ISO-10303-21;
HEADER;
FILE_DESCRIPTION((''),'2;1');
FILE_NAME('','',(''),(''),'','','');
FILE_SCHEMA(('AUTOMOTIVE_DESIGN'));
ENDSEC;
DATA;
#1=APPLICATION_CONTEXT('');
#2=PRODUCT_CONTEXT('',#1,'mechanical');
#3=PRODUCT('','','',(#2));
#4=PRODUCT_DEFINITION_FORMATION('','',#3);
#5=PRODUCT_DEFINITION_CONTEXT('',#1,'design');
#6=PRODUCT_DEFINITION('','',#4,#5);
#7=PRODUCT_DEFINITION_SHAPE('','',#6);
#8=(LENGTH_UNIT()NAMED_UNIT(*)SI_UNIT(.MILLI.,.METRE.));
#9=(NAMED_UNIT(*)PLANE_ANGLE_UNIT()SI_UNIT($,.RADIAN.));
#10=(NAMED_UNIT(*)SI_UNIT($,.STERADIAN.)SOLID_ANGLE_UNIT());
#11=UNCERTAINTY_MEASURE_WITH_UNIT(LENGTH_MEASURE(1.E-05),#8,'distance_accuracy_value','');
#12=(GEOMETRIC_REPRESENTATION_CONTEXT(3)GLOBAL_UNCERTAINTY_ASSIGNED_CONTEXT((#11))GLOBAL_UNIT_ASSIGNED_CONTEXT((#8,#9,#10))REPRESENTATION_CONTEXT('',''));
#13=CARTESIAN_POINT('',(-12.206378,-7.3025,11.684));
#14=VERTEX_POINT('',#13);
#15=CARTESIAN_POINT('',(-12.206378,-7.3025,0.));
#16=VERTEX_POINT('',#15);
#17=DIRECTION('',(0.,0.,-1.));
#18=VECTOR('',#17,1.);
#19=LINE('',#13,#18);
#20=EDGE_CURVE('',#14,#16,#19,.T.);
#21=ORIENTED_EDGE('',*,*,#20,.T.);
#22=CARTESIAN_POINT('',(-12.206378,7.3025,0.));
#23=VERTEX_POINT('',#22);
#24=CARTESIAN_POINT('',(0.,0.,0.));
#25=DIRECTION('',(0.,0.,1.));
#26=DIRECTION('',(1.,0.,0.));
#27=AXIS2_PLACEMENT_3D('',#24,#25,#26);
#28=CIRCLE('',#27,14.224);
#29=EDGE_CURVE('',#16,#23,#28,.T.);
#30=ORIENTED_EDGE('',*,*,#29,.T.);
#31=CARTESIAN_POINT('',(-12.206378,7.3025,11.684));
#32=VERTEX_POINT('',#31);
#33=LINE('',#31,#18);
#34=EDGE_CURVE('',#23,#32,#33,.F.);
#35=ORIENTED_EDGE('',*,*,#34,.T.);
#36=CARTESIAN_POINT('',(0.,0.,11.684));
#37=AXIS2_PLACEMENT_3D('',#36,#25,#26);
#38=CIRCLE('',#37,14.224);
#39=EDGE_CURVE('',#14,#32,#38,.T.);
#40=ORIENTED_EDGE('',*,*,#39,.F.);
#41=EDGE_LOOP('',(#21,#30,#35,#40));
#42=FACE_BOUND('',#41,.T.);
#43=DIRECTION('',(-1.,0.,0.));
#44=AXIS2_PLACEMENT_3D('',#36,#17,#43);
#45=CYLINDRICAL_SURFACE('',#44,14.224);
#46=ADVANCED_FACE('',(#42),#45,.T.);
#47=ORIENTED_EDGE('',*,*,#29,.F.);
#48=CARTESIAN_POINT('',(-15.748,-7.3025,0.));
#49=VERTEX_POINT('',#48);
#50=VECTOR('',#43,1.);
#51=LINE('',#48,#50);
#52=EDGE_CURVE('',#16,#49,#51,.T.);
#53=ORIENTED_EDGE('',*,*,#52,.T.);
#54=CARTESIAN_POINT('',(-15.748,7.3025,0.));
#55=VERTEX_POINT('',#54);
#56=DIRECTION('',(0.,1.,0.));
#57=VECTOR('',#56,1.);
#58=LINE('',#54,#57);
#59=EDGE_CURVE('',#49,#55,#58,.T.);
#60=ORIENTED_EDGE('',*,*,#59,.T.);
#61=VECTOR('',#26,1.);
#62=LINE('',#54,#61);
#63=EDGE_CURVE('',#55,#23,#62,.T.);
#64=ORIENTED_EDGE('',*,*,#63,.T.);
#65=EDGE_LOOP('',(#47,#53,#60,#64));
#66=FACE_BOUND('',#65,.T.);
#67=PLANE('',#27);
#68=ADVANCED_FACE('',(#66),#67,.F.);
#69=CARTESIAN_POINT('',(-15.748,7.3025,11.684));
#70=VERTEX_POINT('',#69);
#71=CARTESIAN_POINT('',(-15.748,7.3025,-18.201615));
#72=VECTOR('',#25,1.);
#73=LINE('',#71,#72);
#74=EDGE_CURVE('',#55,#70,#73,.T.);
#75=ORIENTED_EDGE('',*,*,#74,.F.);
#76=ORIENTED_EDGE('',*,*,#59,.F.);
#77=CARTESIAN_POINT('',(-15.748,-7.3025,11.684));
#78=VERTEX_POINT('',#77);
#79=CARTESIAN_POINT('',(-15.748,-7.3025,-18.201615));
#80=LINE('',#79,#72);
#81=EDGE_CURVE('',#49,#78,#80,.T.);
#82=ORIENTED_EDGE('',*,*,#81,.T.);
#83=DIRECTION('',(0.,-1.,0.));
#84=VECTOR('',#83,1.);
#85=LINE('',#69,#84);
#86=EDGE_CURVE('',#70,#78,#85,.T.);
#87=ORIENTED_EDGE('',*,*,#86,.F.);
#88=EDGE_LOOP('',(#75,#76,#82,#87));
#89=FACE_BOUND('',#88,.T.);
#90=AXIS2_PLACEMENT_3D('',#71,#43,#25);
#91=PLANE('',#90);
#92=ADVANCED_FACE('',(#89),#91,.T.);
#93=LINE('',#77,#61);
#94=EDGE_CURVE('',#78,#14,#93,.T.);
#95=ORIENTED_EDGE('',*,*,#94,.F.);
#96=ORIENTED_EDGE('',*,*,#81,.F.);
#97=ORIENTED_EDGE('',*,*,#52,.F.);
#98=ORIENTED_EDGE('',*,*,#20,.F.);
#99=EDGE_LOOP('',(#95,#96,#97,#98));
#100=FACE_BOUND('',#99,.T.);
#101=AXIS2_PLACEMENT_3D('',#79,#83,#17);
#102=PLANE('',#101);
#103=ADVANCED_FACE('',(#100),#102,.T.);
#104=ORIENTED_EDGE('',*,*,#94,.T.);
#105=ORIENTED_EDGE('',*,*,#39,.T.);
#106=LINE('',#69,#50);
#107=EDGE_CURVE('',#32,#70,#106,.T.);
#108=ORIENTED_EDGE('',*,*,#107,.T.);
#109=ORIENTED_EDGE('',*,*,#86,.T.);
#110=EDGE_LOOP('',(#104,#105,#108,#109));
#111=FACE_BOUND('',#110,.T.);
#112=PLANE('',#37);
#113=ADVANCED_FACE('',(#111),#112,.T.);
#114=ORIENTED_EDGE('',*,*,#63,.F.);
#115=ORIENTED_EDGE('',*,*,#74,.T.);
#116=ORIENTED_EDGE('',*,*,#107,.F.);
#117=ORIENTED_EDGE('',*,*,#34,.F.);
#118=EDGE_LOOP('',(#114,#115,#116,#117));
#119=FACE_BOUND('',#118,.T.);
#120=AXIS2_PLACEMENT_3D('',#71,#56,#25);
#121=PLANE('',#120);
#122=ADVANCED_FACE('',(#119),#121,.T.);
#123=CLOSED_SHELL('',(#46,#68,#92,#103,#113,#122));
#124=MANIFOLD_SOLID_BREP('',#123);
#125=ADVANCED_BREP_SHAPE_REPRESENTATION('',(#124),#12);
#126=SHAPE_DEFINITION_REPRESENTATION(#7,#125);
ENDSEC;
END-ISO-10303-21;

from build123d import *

# Parameters (mm, degrees)
SKETCH1_R           = 14.224
BOSS_EXTRUDE1_DEPTH = 11.684
SKETCH2_W           = 10.862447087
SKETCH2_H           = 14.605
BOSS_EXTRUDE2_DEPTH = 11.684


with BuildPart() as part:
    # Sketch1 → Boss-Extrude1 (new body)
    with BuildSketch(Plane.XY):
        Circle(SKETCH1_R)
    extrude(amount=BOSS_EXTRUDE1_DEPTH)

    # Sketch2 → Boss-Extrude2 (add)
    with BuildSketch(Plane.XY.offset(11.684)):
        with Locations((-10.316776457, 0)):
            Rectangle(SKETCH2_W, SKETCH2_H)
    extrude(amount=-BOSS_EXTRUDE2_DEPTH)


solid = part.part
